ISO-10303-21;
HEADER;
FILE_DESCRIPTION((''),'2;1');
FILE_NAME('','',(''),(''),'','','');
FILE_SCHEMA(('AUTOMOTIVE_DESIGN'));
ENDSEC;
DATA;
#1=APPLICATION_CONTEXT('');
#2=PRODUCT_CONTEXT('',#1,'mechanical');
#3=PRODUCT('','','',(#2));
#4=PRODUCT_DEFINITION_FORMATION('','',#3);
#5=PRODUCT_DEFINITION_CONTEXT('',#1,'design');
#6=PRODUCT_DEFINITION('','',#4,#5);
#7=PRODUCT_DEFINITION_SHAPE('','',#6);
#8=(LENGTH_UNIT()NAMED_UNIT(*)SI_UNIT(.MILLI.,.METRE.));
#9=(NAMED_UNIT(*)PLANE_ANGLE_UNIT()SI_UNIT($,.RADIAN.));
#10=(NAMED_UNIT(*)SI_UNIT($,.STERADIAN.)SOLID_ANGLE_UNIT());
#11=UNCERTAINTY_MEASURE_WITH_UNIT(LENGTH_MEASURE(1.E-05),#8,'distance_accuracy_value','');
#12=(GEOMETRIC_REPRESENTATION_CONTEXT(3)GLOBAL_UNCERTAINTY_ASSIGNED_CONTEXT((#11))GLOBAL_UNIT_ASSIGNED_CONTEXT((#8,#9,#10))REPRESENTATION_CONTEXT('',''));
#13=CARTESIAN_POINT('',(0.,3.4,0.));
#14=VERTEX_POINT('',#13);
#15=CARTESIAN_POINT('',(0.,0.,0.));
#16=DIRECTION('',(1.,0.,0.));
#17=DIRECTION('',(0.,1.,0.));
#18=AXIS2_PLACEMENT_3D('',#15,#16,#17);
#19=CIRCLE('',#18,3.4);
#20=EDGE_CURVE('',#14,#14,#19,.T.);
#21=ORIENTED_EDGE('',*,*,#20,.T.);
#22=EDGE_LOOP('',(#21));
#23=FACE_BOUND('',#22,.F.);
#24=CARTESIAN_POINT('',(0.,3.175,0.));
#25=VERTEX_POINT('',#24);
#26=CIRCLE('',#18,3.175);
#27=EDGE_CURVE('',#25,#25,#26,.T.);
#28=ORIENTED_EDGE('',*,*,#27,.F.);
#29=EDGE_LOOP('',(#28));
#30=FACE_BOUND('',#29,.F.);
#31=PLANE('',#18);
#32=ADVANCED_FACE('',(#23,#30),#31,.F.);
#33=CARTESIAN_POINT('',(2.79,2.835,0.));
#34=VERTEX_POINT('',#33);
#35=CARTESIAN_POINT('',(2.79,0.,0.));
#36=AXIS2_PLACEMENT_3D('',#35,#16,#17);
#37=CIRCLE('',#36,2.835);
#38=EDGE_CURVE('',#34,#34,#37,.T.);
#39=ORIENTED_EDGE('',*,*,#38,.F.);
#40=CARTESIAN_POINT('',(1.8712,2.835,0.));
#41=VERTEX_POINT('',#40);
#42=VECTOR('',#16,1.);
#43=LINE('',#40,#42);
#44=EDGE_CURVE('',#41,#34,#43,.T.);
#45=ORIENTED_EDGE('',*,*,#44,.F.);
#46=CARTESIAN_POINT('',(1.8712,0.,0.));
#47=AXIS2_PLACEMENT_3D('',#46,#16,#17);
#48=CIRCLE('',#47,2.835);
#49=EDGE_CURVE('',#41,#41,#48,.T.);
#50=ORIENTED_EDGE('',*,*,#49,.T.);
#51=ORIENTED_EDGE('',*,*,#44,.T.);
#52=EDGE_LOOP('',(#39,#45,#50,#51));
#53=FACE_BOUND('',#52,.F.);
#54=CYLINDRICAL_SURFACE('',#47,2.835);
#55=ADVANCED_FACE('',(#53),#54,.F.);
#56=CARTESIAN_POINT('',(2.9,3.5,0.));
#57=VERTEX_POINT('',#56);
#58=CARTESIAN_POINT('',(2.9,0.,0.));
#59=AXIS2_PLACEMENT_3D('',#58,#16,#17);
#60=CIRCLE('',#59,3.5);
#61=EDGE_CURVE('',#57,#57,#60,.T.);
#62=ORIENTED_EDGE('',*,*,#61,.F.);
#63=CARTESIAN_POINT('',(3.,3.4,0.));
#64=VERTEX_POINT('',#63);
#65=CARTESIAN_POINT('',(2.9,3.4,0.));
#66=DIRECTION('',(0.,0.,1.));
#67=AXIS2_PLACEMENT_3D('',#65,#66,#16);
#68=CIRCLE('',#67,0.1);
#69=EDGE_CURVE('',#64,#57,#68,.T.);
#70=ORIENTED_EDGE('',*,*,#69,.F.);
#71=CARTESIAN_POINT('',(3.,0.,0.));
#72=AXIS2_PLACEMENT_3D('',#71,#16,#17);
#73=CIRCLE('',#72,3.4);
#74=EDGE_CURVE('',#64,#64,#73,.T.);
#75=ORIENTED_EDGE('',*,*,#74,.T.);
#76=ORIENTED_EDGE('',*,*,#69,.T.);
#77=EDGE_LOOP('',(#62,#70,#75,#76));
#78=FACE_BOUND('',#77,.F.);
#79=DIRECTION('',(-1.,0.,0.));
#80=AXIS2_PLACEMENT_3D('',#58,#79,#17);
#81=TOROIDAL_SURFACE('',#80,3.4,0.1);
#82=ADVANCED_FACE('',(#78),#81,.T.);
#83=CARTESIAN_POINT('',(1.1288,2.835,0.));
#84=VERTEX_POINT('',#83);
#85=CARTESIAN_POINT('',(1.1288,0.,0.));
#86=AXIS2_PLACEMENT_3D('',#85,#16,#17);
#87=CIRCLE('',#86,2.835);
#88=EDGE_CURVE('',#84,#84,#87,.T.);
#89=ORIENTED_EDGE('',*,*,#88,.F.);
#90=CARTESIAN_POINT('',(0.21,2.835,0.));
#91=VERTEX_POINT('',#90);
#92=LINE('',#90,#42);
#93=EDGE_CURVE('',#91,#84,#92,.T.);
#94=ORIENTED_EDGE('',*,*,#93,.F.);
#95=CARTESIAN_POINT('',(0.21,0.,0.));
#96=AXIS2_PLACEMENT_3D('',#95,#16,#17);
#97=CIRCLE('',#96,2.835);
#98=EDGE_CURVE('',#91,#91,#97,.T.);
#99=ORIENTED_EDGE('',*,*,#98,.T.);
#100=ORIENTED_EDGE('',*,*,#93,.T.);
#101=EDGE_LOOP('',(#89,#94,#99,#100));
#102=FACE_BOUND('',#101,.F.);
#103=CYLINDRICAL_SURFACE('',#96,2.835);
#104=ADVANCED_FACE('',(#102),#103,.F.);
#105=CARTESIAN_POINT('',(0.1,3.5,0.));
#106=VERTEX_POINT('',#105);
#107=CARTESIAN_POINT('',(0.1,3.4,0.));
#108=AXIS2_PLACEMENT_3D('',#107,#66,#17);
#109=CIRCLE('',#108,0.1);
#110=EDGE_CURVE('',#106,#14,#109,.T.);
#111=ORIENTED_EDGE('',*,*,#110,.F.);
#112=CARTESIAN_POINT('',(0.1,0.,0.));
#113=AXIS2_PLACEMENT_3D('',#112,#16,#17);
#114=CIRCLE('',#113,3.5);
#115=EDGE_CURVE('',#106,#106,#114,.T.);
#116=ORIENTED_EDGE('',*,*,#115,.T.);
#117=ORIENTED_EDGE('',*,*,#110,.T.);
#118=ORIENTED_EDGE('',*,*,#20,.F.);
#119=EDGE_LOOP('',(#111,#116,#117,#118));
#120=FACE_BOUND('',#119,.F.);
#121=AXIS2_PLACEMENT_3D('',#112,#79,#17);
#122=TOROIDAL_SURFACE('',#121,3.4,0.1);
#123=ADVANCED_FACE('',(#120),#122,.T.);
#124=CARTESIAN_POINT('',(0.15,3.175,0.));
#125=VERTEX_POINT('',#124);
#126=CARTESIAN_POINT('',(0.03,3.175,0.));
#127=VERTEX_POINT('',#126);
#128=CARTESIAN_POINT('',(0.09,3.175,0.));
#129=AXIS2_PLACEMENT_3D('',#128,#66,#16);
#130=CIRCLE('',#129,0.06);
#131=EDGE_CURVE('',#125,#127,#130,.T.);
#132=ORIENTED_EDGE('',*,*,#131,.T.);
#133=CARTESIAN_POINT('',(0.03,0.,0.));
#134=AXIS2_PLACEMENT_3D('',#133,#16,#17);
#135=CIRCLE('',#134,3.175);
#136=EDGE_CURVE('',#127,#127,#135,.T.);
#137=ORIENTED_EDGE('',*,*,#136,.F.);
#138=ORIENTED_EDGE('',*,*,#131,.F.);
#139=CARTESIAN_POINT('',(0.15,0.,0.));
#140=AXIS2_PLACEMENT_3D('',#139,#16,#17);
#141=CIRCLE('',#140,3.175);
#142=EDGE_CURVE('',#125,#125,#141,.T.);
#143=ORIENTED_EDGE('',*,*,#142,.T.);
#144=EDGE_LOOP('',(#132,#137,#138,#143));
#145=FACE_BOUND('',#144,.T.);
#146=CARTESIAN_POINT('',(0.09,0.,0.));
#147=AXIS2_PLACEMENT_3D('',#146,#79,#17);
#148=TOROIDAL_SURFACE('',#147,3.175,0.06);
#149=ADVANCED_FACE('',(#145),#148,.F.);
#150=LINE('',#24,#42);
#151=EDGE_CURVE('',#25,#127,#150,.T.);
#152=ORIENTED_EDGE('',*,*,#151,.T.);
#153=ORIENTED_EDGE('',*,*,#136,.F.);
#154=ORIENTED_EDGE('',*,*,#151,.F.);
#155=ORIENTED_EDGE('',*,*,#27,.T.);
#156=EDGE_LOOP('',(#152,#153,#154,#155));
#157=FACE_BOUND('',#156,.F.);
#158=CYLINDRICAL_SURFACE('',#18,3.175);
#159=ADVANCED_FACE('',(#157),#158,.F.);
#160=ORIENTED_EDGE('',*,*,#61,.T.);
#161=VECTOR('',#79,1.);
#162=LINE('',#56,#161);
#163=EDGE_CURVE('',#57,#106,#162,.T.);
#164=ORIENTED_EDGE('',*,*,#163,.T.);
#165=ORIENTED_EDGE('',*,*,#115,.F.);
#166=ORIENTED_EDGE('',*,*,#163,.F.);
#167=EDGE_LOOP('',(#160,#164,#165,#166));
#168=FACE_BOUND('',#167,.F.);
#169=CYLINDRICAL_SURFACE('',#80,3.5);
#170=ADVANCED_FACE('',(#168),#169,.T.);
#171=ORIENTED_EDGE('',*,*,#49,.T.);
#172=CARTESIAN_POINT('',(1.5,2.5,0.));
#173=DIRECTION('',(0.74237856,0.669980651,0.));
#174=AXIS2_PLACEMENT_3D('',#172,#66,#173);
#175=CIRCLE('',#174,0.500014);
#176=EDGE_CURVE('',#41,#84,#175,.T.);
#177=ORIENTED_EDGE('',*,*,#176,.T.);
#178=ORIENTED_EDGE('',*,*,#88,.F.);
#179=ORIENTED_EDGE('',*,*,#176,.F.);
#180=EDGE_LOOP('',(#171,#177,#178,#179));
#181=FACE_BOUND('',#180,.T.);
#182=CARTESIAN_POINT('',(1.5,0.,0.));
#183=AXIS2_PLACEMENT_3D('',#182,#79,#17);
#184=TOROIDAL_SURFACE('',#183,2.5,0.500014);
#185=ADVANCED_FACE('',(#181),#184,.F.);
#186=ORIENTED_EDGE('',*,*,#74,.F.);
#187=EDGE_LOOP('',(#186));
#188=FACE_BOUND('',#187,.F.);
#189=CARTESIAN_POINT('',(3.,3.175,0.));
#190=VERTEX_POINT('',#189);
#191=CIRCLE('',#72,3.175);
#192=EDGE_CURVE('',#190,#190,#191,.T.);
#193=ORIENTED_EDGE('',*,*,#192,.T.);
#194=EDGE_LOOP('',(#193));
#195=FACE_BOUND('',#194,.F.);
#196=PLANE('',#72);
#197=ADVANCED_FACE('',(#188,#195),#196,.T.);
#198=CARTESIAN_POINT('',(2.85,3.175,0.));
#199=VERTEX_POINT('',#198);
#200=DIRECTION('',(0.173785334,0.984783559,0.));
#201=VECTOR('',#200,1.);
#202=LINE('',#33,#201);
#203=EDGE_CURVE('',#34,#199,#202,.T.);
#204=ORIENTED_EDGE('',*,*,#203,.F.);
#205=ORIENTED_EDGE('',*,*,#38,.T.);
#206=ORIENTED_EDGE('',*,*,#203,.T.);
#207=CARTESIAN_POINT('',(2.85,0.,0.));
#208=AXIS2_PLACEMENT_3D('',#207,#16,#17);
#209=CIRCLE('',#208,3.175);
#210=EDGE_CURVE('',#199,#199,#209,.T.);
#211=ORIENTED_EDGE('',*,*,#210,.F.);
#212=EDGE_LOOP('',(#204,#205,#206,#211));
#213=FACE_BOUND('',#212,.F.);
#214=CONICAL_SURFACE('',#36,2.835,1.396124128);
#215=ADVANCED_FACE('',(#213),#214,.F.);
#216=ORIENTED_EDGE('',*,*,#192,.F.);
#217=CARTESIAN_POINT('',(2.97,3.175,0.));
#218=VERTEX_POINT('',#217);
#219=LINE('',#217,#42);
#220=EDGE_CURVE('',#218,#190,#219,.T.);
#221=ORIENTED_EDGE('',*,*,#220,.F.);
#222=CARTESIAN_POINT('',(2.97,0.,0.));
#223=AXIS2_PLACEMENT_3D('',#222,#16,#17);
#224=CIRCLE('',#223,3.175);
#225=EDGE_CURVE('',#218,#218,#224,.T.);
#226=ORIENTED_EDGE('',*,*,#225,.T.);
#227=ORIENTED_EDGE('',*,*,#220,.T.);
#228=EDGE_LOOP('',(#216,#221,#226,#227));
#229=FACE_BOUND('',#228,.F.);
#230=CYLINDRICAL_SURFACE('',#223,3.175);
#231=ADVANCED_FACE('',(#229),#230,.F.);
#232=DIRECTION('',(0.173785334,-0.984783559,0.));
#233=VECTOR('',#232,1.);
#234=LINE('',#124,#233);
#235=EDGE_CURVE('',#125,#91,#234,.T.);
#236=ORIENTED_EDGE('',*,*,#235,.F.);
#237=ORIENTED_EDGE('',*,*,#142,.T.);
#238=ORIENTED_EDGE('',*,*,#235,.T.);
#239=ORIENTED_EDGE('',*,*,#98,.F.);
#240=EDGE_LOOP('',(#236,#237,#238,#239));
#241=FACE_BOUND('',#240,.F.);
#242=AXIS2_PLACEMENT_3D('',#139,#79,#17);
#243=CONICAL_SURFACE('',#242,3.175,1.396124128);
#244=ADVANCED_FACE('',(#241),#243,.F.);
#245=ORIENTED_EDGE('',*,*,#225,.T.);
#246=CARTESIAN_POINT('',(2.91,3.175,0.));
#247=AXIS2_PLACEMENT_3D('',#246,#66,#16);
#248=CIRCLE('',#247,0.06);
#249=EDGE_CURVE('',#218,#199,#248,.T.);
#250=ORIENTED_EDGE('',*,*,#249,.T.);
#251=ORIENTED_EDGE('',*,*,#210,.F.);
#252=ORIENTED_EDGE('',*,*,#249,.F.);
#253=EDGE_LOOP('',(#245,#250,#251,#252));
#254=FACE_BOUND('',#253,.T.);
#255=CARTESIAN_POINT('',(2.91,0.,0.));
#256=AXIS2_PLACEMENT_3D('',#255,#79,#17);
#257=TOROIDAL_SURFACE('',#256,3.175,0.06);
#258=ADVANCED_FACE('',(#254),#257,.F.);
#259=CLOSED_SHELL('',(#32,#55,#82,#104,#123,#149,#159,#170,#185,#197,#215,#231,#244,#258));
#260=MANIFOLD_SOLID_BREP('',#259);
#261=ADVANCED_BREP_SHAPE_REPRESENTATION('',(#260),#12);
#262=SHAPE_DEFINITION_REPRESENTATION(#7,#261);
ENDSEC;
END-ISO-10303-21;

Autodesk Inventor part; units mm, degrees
ref_plane "YZ Plane" through (0, 0, 0) normal (1, 0, 0) x (0, 1, 0)
ref_plane "XZ Plane" through (0, 0, 0) normal (0, 1, 0) x (-1, 0, 0)
ref_plane "XY Plane" through (0, 0, 0) normal (0, 0, 1) x (1, 0, 0)
sketch "Sketch_17" plane through (0, 0, 0) normal (0, 0, 1) x (1, 0, 0)
  line L0 (50, 0) -> (-50, 0)
  line L1 (0, 3.4) -> (0, 3.175)
  line L2 (0, 3.175) -> (0.03, 3.175)
  arc A0 (0.15, 3.175) -> (0.03, 3.175) centre (0.09, 3.175) ccw
  line L3 (0.15, 3.175) -> (0.21, 2.835)
  line L4 (0.21, 2.835) -> (1.1288, 2.835)
  arc A1 (1.8712, 2.835) -> (1.1288, 2.835) centre (1.5, 2.5) ccw
  line L5 (1.8712, 2.835) -> (2.79, 2.835)
  line L6 (2.79, 2.835) -> (2.85, 3.175)
  arc A2 (2.97, 3.175) -> (2.85, 3.175) centre (2.91, 3.175) ccw
  line L7 (2.97, 3.175) -> (3, 3.175)
  line L8 (3, 3.175) -> (3, 3.4)
  arc A3 (3, 3.4) -> (2.9, 3.5) centre (2.9, 3.4) ccw
  line L9 (2.9, 3.5) -> (0.1, 3.5)
  arc A4 (0.1, 3.5) -> (0, 3.4) centre (0.1, 3.4) ccw
revolve "Revolution1" add sketch "Sketch_17" angle 360 about axis through (50, 0, 0) along (1, 0, 0)
properties part number "W 638/3-2Z_PART2"
